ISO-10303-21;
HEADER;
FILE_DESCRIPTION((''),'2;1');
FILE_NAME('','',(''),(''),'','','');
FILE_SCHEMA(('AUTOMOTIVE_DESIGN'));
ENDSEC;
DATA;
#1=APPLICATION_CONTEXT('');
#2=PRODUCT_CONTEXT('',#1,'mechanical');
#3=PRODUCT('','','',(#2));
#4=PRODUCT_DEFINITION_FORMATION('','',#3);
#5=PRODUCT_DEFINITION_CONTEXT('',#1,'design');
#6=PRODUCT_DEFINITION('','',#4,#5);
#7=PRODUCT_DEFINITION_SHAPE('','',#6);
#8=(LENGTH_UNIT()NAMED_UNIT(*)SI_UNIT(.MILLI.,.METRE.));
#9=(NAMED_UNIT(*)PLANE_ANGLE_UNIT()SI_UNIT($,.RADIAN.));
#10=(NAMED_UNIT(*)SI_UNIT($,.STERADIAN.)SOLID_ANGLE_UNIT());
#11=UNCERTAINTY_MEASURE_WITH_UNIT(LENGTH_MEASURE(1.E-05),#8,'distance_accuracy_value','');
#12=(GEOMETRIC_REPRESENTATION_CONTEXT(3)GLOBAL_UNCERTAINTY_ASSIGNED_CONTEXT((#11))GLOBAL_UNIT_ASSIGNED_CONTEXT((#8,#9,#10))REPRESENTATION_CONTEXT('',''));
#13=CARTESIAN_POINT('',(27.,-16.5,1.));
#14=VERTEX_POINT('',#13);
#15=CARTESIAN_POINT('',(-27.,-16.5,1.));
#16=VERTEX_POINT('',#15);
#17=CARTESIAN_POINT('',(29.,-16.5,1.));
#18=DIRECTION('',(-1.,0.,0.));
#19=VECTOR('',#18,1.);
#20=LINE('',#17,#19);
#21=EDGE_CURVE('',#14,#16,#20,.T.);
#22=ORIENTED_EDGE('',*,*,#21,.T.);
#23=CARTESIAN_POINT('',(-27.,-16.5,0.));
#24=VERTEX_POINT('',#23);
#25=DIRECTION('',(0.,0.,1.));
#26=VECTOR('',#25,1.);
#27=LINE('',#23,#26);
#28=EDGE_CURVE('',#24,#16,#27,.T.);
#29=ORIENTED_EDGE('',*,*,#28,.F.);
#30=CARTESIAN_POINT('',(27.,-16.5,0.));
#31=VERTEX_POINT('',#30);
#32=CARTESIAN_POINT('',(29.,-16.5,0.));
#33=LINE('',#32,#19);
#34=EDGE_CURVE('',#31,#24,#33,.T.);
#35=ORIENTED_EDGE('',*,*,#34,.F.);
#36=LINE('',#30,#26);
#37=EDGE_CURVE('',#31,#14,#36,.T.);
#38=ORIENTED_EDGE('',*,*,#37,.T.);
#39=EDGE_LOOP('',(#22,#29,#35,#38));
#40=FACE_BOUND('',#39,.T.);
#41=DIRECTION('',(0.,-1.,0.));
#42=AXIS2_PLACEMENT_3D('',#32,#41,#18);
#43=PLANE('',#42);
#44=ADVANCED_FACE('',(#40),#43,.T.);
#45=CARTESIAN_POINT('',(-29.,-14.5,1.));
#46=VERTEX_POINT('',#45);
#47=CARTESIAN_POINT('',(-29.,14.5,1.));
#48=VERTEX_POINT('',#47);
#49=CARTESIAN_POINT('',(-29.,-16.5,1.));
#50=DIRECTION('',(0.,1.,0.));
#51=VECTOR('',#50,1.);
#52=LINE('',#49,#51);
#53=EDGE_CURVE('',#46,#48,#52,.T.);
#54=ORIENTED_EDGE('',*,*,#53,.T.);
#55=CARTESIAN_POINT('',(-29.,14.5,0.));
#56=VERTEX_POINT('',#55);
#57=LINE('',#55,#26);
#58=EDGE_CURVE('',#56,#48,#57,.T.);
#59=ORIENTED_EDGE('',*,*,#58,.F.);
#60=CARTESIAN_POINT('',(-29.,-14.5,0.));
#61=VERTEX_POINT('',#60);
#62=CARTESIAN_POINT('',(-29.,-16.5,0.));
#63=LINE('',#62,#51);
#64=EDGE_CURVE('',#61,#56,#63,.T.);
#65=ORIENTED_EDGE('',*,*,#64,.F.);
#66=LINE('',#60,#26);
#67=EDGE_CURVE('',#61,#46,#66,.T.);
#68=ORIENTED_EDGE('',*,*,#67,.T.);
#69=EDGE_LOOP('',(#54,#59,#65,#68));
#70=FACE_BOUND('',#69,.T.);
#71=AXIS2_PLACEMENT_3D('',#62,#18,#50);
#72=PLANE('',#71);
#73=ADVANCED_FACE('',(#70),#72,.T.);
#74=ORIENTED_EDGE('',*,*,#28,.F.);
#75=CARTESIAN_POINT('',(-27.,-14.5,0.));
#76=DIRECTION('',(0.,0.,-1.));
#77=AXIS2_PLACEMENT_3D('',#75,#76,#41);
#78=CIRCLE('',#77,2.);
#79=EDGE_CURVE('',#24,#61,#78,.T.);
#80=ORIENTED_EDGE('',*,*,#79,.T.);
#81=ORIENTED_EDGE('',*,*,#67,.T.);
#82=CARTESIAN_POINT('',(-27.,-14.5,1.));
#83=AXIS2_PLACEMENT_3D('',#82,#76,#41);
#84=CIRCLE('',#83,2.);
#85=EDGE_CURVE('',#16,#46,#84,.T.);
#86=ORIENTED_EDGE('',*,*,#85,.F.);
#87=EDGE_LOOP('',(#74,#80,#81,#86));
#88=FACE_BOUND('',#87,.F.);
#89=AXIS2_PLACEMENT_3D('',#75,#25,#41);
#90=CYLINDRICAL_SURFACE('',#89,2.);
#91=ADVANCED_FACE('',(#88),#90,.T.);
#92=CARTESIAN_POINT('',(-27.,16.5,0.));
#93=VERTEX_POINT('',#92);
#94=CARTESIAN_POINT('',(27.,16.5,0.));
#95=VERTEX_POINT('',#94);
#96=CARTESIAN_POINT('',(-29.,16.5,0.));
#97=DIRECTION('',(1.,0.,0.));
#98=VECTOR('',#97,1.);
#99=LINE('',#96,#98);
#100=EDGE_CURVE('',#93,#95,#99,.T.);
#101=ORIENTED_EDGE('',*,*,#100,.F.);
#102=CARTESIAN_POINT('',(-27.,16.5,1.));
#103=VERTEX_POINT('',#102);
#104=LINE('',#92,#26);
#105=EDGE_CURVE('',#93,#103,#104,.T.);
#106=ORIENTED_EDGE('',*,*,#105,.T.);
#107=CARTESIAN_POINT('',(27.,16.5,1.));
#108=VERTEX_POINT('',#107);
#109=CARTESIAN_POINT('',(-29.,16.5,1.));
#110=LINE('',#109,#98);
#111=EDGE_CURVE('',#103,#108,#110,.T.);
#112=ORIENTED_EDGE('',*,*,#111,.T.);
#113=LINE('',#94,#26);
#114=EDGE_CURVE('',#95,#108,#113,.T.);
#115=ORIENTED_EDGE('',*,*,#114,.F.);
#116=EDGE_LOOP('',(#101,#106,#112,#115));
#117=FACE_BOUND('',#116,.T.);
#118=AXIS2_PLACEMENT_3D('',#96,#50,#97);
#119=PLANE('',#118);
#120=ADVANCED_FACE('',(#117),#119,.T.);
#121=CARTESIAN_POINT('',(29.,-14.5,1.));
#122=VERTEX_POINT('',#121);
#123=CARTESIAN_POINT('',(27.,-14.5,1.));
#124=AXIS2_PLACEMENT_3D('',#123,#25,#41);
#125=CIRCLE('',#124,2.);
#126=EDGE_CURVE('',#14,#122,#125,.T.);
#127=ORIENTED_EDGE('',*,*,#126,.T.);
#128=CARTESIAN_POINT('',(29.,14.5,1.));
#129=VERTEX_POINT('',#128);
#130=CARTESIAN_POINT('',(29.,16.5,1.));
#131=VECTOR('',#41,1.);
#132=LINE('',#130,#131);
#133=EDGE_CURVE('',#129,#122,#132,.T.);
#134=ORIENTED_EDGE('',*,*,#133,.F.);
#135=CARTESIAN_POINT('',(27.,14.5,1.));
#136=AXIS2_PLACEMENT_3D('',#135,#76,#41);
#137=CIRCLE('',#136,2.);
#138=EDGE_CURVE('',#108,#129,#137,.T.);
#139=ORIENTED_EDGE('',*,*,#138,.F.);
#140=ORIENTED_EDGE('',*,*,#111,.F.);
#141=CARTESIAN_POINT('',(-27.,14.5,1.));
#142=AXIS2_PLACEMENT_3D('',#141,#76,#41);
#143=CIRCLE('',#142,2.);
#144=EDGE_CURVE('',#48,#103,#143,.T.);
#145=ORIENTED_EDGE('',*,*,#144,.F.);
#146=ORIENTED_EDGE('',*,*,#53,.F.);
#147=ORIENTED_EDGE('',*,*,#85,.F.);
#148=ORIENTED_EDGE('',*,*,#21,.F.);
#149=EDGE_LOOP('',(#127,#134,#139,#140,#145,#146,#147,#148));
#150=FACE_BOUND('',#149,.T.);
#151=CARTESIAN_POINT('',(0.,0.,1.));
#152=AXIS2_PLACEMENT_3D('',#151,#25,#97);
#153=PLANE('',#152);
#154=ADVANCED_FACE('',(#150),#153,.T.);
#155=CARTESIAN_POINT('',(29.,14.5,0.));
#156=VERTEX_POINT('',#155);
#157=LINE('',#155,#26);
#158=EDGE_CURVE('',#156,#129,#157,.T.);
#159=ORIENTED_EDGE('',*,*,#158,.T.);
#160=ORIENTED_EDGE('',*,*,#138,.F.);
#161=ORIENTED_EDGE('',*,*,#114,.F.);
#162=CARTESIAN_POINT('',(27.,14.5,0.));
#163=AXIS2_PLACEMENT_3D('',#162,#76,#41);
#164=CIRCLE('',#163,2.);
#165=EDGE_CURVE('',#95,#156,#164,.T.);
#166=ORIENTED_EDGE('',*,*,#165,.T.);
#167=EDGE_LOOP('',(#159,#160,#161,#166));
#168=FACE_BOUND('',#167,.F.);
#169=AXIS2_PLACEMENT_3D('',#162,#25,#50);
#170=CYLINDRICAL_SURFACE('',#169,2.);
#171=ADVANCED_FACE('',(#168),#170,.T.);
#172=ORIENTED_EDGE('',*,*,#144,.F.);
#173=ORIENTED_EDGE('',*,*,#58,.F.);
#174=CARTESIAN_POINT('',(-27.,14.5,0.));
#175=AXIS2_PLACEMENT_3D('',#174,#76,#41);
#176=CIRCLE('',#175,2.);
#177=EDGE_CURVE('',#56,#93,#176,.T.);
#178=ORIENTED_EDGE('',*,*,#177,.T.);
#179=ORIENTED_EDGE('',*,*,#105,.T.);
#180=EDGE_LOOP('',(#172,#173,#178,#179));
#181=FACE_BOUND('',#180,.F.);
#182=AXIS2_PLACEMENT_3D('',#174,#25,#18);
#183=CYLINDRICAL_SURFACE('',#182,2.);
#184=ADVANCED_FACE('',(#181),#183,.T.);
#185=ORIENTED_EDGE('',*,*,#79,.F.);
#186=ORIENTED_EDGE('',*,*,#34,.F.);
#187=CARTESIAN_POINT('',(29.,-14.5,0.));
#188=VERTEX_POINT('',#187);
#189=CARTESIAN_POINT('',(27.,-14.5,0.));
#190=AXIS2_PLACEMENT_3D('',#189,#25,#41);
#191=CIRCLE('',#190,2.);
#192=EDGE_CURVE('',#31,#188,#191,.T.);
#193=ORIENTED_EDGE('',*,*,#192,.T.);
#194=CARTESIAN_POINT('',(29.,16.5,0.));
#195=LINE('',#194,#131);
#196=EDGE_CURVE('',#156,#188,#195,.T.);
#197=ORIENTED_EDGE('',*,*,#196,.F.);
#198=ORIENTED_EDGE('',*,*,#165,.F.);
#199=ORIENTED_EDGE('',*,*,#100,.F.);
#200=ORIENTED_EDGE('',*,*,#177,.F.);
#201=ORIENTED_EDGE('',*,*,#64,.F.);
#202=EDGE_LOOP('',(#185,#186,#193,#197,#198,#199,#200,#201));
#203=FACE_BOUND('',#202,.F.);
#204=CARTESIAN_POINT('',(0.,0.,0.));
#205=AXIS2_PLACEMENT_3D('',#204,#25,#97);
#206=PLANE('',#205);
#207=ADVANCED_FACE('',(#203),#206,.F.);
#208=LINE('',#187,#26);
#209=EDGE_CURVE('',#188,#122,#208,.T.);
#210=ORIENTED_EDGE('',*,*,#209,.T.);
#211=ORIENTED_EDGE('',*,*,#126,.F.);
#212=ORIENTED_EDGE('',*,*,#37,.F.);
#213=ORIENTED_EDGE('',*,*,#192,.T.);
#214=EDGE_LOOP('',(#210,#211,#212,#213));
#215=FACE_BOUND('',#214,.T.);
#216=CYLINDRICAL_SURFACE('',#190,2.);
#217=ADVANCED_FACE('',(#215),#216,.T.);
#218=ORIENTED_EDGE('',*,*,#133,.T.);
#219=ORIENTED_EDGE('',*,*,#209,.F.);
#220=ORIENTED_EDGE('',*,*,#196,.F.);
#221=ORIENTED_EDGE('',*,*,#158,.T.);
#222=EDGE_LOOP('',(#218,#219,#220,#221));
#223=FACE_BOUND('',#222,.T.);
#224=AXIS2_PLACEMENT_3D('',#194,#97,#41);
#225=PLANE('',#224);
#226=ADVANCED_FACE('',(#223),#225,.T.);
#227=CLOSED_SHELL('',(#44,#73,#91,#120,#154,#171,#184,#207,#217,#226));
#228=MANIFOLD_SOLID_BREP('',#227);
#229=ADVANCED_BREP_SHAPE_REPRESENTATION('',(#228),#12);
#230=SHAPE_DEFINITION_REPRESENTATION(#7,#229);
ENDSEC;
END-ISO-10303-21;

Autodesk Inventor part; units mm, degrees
ref_plane "YZ Plane" through (0, 0, 0) normal (1, 0, 0) x (0, 1, 0)
ref_plane "XZ Plane" through (0, 0, 0) normal (0, 1, 0) x (-1, 0, 0)
ref_plane "XY Plane" through (0, 0, 0) normal (0, 0, 1) x (1, 0, 0)
sketch "Sketch2" plane through (0, 0, 0) normal (0, 0, 1) x (1, 0, 0)
  line L0 (29, -16.5) -> (-29, -16.5)
  line L1 (-29, -16.5) -> (-29, 16.5)
  line L2 (-29, 16.5) -> (29, 16.5)
  line L3 (29, 16.5) -> (29, -16.5)
  line L4 (29, -16.5) -> (-29, 16.5) construction
  line L5 (-29, -16.5) -> (29, 16.5) construction
  point P0 (0, 0)
  dimension "d0" = 58
  dimension "d1" = 33
extrude "Extrusion1" add sketch "Sketch2" along normal blind 1
fillet "Fillet1" radius 2 4 edges at (-29, -16.5, 0.5) (29, -16.5, 0.5) (29, 16.5, 0.5) (-29, 16.5, 0.5)
properties part number "P019_EcranProtecLidar" material "Glass"
